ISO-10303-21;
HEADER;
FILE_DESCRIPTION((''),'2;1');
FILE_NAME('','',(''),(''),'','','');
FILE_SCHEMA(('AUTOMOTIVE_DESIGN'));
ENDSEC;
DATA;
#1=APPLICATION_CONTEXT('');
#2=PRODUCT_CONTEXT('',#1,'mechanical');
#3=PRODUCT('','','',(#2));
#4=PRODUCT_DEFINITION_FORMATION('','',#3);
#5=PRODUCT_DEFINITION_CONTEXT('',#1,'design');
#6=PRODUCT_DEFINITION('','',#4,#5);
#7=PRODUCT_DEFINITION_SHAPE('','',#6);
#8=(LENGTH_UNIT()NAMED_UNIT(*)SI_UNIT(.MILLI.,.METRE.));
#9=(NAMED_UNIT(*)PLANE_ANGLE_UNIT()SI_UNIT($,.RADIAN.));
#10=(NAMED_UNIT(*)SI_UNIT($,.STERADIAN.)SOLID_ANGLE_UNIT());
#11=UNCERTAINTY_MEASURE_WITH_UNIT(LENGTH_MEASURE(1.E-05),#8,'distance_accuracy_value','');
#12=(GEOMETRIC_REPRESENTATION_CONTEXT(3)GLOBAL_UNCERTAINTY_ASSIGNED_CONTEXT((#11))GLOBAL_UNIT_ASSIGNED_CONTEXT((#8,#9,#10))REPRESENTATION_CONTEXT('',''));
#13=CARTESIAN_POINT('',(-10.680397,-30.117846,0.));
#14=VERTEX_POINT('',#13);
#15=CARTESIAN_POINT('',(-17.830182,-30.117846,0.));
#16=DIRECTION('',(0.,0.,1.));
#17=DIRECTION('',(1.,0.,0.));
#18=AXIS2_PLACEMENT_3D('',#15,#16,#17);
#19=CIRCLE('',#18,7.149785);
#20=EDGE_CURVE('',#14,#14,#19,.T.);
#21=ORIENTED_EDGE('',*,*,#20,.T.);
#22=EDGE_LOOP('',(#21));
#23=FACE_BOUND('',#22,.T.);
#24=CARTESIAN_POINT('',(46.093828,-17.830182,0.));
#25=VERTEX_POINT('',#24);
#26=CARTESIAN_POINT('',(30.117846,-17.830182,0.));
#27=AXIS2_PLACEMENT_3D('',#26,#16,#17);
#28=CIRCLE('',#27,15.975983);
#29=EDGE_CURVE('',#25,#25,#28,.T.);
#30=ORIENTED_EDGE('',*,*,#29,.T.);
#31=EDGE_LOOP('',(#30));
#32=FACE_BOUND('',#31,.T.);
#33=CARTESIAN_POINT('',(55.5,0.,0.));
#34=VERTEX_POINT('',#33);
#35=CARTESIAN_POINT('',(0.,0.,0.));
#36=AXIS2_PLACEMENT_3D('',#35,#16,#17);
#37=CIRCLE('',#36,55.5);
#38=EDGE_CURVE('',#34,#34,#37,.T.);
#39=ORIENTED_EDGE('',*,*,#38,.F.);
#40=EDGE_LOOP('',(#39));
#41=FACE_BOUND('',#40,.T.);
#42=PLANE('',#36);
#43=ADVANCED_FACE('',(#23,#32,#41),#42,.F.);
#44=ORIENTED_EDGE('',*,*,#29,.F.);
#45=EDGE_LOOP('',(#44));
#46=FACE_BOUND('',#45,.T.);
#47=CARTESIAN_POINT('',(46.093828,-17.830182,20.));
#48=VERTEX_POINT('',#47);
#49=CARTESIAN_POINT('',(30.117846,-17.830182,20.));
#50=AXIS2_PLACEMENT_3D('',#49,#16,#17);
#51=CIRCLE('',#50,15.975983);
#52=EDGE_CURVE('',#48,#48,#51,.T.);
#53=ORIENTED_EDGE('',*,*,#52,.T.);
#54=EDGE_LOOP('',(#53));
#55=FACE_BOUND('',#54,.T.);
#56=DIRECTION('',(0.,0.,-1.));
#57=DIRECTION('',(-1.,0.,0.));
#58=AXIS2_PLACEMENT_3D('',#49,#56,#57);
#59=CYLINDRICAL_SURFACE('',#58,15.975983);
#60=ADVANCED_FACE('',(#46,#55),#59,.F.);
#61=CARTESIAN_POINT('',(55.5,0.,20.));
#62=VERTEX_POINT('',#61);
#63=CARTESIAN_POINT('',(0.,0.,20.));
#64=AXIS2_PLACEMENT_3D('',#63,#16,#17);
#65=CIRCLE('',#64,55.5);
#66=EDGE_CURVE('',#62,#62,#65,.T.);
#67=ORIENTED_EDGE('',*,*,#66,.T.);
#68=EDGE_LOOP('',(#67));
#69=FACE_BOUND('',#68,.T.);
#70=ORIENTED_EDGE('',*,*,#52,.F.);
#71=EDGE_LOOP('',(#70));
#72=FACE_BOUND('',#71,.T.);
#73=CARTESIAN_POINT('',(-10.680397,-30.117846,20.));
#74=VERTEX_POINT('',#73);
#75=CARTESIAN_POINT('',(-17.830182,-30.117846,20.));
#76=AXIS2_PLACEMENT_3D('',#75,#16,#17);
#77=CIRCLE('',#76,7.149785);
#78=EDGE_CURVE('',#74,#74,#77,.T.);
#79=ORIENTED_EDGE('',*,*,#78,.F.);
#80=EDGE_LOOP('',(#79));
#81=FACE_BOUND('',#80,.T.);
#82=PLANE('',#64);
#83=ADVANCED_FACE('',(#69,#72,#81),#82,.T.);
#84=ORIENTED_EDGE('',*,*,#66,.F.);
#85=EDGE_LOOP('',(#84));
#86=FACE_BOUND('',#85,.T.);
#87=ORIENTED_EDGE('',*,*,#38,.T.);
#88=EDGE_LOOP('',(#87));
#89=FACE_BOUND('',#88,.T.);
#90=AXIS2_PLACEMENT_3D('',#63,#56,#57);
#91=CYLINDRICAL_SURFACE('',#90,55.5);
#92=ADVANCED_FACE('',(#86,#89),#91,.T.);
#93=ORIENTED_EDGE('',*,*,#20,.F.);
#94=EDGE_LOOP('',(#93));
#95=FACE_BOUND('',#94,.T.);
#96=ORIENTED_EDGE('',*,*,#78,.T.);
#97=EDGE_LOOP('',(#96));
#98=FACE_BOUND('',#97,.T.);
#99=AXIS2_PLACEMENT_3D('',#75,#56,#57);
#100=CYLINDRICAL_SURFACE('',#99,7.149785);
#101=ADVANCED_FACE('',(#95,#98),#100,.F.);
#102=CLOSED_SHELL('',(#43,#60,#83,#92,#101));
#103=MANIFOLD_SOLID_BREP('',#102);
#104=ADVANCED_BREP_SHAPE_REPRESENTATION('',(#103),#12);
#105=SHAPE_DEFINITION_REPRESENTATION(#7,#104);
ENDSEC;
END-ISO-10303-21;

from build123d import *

# Parameters (mm, degrees)
CROQUIS1_R              = 55.5
CROQUIS1_R_2            = 7.149784922
CROQUIS1_R_3            = 15.975982674
SALIENTE_EXTRUIR1_DEPTH = 20


with BuildPart() as part:
    # Croquis1 → Saliente-Extruir1 (new body)
    with BuildSketch(Plane.XY):
        Circle(CROQUIS1_R)
        with Locations((-17.83018167, -30.117845567)):
            Circle(CROQUIS1_R_2, mode=Mode.SUBTRACT)
        with Locations((30.117845567, -17.83018167)):
            Circle(CROQUIS1_R_3, mode=Mode.SUBTRACT)
    extrude(amount=SALIENTE_EXTRUIR1_DEPTH)


solid = part.part
